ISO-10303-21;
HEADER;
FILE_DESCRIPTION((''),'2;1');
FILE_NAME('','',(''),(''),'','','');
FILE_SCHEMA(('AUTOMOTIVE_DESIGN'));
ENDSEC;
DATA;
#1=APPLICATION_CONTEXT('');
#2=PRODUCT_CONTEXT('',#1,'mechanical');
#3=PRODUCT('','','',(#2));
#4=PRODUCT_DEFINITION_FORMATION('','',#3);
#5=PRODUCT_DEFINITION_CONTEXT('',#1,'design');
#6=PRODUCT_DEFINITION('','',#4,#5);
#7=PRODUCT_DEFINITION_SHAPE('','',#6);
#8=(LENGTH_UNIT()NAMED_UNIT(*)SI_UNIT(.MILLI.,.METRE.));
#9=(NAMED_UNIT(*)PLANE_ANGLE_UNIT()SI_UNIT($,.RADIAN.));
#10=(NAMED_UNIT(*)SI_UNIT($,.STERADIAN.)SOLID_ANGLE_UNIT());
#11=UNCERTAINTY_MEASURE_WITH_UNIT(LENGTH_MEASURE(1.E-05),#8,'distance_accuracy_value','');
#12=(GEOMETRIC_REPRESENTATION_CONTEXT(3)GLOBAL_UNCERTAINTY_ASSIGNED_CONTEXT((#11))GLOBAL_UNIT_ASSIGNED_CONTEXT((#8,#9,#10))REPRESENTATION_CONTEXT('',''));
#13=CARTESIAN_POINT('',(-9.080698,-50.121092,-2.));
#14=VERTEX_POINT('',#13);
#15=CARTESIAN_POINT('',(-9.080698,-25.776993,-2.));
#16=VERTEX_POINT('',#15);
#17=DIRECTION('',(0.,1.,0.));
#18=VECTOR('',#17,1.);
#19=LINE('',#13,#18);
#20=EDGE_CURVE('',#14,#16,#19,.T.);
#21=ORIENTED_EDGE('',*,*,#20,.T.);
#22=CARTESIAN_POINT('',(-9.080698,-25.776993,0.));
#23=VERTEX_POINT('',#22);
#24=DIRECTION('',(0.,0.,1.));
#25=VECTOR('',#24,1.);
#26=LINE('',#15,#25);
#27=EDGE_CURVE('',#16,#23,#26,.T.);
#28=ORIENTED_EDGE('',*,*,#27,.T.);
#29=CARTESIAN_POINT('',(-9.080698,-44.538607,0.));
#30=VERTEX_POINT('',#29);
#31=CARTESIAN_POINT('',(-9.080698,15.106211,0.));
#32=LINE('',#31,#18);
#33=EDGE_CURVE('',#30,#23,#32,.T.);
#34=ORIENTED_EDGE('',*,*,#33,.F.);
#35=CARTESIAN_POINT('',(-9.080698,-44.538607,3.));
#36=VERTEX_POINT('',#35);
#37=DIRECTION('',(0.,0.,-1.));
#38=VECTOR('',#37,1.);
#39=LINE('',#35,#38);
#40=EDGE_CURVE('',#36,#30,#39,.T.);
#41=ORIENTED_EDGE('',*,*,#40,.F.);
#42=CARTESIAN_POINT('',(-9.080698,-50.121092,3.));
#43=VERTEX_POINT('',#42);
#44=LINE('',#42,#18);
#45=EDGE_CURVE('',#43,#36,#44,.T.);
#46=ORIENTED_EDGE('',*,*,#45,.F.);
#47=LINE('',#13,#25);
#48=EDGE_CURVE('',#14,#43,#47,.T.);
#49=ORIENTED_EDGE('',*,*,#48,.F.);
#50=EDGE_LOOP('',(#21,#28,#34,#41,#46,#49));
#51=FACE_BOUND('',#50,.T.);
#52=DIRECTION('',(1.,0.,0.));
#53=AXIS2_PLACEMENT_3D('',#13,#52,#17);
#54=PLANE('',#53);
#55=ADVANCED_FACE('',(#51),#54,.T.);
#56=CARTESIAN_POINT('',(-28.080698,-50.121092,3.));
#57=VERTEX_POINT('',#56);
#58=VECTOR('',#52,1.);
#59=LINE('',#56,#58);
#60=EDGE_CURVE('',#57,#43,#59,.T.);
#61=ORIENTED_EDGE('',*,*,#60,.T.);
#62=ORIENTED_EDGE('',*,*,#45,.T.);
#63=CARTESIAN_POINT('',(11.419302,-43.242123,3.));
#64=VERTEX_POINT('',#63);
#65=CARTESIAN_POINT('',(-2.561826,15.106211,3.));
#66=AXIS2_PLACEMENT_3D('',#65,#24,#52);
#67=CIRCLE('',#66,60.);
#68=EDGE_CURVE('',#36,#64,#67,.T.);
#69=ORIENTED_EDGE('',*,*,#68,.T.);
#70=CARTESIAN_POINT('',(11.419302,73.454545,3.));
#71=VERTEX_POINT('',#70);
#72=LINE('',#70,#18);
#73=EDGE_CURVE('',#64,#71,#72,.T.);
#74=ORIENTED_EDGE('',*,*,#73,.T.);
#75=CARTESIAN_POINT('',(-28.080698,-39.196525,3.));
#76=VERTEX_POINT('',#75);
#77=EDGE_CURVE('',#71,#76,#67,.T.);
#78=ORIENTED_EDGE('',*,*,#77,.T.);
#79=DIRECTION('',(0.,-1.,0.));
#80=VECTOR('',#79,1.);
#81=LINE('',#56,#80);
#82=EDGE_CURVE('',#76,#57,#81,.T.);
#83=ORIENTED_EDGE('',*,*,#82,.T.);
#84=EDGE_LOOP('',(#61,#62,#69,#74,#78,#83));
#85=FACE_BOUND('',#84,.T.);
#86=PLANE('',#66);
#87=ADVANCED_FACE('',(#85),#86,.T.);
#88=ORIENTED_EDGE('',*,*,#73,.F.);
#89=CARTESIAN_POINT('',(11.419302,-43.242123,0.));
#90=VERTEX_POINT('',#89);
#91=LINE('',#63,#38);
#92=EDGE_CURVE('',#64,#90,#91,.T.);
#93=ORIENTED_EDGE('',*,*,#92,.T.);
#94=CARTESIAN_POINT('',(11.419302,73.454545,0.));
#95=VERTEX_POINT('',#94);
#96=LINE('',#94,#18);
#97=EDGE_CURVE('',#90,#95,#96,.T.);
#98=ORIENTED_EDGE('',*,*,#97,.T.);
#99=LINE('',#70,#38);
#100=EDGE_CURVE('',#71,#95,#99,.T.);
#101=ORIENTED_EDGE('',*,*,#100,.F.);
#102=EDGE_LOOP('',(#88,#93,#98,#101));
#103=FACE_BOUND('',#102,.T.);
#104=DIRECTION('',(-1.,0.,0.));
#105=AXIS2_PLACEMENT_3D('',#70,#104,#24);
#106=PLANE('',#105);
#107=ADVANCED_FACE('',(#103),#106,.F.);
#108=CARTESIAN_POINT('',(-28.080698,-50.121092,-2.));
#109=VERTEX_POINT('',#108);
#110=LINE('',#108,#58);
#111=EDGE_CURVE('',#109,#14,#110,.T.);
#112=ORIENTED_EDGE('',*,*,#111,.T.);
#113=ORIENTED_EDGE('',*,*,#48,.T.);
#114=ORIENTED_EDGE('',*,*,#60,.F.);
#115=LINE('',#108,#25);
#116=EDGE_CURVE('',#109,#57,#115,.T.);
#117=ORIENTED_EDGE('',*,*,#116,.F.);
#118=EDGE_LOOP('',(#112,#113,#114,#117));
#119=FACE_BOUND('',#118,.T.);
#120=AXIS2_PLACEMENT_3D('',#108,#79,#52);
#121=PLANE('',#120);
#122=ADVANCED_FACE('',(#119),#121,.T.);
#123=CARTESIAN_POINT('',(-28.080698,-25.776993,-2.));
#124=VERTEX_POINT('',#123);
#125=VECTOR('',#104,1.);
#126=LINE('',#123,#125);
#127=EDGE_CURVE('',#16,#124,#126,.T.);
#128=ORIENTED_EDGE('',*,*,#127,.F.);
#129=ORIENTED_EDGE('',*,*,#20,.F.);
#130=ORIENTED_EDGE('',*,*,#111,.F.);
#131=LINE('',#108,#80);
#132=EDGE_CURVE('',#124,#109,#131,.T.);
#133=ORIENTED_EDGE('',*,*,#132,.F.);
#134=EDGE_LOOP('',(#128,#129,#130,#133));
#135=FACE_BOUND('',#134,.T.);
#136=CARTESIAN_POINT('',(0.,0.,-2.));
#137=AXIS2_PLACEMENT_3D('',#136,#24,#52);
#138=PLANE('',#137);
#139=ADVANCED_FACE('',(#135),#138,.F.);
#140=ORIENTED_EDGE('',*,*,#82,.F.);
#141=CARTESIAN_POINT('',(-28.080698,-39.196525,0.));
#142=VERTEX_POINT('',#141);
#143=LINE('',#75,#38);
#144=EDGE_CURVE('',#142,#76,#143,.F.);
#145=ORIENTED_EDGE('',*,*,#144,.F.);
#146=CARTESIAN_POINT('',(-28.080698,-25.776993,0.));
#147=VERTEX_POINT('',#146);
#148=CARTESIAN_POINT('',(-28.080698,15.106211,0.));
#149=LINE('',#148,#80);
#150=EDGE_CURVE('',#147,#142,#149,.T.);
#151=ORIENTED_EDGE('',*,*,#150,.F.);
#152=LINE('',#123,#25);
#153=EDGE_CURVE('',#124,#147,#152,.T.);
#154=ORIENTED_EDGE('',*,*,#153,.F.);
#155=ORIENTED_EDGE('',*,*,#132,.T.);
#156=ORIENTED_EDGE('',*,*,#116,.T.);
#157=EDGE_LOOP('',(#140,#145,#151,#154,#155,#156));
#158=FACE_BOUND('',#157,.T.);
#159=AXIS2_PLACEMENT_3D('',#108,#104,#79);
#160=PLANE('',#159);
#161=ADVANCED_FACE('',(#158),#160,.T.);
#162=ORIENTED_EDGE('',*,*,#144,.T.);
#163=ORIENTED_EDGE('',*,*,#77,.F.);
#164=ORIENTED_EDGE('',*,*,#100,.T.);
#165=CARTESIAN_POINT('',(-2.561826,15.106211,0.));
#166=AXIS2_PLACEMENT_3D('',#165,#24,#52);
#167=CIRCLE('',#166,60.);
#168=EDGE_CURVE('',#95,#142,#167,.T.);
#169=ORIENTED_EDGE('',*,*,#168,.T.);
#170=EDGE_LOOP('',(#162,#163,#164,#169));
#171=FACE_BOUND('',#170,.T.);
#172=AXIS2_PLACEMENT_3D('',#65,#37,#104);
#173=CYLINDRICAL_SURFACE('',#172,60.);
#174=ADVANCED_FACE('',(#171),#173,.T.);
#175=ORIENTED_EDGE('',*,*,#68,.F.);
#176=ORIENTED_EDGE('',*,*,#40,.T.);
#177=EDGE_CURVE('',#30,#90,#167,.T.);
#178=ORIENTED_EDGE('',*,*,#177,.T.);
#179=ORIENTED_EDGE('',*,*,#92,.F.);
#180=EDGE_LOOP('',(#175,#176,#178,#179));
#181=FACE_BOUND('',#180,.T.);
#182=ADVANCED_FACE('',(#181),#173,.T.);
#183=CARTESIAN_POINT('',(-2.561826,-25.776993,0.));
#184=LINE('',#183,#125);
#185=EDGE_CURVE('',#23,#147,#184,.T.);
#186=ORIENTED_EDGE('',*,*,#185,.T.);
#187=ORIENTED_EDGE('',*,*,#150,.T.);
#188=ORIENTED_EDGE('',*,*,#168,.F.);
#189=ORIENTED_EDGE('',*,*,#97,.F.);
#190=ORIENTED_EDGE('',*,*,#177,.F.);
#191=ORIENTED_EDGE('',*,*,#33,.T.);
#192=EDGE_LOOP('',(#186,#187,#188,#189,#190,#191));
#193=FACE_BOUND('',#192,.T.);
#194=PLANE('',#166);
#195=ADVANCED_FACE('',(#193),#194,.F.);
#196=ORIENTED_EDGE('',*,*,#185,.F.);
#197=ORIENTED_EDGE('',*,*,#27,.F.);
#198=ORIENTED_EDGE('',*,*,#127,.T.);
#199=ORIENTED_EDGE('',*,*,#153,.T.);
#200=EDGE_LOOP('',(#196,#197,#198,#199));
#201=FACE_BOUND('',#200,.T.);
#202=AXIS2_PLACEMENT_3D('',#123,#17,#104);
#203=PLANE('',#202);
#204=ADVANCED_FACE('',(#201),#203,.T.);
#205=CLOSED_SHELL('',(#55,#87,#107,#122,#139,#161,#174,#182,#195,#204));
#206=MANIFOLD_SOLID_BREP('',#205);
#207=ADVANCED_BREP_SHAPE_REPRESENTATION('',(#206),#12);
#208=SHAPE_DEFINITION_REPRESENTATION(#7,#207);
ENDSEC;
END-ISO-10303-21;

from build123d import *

# Parameters (mm, degrees)
BOSS_EXTRUDE1_DEPTH = 3
SKETCH2_W           = 19
SKETCH2_H           = 24.344098819
BOSS_EXTRUDE2_DEPTH = 5


with BuildPart() as part:
    # Sketch1 → Boss-Extrude1 (new body)
    with BuildSketch(Plane.XY):
        with BuildLine():
            Line((11.419301697, 73.454544617), (11.419301697, -43.242123234))
            ThreePointArc((11.419301697, -43.242123234), (-62.561825873, 15.106210692), (11.419301697, 73.454544617))
        make_face()
    extrude(amount=BOSS_EXTRUDE1_DEPTH)

    # Sketch2 → Boss-Extrude2 (add)
    with BuildSketch(Plane.XY.offset(3)):
        with Locations((-18.580698303, -37.949042382)):
            Rectangle(SKETCH2_W, SKETCH2_H)
    extrude(amount=-BOSS_EXTRUDE2_DEPTH)


solid = part.part
